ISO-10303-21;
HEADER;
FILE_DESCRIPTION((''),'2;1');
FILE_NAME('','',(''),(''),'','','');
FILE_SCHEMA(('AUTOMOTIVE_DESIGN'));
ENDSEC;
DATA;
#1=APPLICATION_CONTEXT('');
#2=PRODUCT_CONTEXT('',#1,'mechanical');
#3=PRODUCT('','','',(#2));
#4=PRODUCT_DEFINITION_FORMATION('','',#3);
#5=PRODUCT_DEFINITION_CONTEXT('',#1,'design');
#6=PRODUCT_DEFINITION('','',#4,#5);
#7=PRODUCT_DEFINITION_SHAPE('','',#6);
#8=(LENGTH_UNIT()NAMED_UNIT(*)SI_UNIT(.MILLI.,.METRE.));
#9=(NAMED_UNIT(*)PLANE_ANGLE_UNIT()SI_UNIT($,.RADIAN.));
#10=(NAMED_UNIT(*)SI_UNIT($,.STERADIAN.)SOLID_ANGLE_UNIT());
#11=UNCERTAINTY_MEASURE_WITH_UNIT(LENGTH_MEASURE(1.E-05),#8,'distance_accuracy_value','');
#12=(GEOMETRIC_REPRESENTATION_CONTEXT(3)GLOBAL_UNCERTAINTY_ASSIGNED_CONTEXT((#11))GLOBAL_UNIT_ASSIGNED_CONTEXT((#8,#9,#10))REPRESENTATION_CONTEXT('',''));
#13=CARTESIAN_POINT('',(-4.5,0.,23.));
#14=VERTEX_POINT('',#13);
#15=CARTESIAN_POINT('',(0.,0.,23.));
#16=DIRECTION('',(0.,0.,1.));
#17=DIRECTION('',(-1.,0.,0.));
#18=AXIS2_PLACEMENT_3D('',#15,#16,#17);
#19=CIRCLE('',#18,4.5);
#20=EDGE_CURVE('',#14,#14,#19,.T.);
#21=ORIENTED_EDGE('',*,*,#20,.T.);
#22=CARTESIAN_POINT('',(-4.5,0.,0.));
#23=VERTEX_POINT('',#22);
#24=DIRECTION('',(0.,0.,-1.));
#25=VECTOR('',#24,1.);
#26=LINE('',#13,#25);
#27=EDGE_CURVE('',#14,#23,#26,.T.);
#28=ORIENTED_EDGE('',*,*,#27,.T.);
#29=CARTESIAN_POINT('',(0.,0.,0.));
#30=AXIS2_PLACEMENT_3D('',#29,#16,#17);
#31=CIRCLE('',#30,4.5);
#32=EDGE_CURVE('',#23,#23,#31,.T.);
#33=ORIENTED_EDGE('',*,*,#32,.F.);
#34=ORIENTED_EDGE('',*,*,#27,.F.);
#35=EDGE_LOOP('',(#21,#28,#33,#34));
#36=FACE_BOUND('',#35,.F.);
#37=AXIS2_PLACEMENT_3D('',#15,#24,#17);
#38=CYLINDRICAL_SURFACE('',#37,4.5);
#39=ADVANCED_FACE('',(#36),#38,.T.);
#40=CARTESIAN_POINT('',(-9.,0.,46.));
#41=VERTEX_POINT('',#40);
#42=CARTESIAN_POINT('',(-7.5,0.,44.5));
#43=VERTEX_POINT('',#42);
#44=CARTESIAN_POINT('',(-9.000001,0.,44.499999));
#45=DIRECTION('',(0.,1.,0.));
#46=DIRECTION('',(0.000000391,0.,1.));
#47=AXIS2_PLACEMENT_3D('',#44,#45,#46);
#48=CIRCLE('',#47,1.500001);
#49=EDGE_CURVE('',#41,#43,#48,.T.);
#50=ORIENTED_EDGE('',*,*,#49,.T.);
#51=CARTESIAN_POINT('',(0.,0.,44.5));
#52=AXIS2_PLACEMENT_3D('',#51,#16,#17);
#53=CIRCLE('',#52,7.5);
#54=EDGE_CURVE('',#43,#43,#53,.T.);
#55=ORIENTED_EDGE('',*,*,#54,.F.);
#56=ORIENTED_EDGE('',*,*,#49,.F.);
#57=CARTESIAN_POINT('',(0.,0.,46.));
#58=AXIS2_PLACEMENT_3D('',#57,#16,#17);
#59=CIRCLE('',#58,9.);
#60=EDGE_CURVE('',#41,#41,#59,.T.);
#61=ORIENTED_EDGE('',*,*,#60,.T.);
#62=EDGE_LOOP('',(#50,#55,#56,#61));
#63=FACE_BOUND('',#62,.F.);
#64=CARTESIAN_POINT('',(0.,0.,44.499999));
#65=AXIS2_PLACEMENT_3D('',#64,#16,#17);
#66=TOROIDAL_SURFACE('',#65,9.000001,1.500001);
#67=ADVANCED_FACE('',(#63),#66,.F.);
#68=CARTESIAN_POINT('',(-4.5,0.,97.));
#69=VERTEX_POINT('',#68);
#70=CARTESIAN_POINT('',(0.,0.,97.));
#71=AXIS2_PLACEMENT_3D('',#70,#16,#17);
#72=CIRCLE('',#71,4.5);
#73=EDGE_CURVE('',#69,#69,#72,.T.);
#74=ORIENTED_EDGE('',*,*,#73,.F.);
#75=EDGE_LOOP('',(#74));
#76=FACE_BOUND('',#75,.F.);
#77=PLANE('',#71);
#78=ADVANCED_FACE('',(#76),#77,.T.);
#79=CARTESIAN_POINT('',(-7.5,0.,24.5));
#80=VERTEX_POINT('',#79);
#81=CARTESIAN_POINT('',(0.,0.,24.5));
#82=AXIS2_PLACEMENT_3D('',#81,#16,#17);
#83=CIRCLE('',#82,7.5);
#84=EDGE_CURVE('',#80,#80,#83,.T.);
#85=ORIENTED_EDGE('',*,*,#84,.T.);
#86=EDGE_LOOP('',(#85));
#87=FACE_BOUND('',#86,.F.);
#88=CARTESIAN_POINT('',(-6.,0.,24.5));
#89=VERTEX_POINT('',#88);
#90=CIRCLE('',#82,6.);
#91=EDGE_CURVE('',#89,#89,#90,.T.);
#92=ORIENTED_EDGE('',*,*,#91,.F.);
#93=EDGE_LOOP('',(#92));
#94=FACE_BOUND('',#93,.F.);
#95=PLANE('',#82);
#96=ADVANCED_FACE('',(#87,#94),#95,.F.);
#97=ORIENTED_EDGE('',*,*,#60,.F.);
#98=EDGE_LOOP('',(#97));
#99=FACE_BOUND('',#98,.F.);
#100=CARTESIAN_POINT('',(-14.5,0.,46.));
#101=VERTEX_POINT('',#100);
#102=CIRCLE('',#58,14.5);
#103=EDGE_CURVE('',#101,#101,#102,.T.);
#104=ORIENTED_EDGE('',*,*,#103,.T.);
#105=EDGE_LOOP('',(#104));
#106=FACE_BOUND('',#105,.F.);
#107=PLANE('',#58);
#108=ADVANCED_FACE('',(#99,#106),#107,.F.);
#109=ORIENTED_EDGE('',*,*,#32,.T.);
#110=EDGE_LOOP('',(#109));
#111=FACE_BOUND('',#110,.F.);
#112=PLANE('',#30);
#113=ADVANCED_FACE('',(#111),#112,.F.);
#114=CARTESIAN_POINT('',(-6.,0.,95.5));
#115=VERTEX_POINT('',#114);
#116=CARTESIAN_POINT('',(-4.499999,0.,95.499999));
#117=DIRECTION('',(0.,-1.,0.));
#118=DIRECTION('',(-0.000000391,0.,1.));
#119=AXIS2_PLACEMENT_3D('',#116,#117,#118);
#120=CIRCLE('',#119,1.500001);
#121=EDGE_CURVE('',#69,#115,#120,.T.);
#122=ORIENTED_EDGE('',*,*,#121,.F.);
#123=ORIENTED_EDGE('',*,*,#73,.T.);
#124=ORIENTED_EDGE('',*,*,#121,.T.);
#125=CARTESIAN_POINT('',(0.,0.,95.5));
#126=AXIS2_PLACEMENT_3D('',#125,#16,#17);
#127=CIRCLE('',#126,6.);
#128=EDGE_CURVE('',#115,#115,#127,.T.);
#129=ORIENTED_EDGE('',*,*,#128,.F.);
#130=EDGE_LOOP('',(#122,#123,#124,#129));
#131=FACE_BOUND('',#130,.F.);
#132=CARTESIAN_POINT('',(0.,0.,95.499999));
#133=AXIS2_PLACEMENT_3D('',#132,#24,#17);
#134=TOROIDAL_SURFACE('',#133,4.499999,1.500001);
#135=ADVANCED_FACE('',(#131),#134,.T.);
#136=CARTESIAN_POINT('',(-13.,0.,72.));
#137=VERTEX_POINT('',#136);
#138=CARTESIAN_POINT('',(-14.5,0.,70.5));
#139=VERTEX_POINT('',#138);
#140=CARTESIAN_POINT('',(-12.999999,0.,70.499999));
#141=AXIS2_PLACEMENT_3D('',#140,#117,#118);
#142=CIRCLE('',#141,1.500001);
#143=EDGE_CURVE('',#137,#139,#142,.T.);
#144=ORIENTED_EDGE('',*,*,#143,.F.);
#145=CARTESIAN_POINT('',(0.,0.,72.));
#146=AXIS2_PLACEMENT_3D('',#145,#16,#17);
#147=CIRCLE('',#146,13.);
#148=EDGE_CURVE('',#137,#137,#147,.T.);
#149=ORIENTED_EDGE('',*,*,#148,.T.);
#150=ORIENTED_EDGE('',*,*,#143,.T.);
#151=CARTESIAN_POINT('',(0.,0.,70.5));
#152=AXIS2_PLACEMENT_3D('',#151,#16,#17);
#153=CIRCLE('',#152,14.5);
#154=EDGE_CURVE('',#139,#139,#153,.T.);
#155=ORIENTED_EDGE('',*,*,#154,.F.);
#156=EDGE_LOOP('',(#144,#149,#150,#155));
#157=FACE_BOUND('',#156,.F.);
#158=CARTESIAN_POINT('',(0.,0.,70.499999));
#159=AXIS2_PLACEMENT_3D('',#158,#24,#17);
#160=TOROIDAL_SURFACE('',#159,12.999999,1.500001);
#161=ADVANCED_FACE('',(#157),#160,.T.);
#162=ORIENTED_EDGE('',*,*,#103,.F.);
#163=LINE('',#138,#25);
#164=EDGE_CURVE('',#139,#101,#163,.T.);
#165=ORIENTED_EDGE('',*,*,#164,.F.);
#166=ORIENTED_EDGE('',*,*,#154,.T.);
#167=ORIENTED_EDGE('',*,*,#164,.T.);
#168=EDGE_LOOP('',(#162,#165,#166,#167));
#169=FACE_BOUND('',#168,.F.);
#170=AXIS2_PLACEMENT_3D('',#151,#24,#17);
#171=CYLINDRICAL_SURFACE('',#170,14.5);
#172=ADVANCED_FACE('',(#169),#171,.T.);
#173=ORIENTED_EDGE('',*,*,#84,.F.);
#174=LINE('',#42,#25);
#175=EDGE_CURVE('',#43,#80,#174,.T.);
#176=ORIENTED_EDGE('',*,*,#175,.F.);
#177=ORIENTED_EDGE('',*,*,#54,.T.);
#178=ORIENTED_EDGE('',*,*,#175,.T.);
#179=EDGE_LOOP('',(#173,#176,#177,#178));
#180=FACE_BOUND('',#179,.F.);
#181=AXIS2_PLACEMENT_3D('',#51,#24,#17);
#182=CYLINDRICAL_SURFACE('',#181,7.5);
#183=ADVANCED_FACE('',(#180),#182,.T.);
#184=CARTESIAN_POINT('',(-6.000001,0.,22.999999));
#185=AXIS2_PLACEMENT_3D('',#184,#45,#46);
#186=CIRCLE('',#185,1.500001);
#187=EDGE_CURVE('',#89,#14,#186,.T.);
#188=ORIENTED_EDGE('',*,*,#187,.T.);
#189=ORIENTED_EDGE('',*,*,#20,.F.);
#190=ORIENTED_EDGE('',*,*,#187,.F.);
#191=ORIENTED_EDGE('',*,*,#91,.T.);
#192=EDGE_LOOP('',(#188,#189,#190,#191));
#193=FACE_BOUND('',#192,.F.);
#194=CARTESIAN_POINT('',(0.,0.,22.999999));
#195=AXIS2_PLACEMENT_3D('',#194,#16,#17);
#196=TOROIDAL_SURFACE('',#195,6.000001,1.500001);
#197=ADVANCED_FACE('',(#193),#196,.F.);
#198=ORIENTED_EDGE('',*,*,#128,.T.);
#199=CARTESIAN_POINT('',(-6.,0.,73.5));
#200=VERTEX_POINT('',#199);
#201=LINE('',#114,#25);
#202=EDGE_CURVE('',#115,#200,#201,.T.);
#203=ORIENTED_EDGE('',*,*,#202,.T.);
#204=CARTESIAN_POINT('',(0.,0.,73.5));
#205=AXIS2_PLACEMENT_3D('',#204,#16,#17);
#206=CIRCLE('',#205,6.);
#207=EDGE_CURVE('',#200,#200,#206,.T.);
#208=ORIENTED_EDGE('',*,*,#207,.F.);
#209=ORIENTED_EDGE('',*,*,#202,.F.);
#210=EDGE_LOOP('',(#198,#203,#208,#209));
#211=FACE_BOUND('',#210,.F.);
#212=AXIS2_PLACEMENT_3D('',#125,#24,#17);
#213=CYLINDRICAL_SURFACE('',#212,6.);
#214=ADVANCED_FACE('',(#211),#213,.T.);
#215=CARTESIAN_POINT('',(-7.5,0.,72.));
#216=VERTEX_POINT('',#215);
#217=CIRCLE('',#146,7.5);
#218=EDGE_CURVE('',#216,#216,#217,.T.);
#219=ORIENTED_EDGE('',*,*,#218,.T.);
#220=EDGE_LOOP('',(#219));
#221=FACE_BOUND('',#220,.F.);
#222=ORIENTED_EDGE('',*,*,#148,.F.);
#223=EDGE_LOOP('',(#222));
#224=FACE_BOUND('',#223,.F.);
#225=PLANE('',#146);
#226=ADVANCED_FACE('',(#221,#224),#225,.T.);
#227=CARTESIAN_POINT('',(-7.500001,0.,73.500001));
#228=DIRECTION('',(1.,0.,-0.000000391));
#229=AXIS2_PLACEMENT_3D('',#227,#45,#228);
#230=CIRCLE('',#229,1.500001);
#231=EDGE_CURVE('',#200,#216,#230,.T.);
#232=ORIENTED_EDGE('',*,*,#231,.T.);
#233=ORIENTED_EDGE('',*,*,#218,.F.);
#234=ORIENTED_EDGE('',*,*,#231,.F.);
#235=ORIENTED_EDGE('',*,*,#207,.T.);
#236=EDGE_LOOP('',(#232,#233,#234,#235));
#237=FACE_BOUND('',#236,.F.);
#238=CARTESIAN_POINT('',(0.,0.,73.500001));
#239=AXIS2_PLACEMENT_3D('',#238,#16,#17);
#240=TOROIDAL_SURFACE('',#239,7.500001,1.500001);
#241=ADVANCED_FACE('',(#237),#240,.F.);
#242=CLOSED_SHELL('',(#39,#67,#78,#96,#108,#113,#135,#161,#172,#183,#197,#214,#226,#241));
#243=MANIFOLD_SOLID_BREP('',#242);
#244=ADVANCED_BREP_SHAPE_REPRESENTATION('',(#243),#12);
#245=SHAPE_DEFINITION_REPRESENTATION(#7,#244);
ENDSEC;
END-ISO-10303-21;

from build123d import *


with BuildPart() as f1:
    # F0 (on Front) → F1 (revolve)
    with BuildSketch(Plane.XZ):
        with BuildLine():
            Line((-4.5, 0), (0, 0))
            Line((0, 0), (0, 97))
            Line((0, 97), (-4.5, 97))
            ThreePointArc((-4.5, 97), (-5.56066, 96.56066), (-6, 95.5))
            Line((-6, 95.5), (-6, 73.5))
            ThreePointArc((-6, 73.5), (-6.43934, 72.43934), (-7.5, 72))
            Line((-7.5, 72), (-13, 72))
            ThreePointArc((-13, 72), (-14.06066, 71.56066), (-14.5, 70.5))
            Line((-14.5, 70.5), (-14.5, 46))
            Line((-14.5, 46), (-9, 46))
            ThreePointArc((-9, 46), (-7.93934, 45.56066), (-7.5, 44.5))
            Line((-7.5, 44.5), (-7.5, 24.5))
            Line((-7.5, 24.5), (-6, 24.5))
            ThreePointArc((-6, 24.5), (-4.93934, 24.06066), (-4.5, 23))
            Line((-4.5, 23), (-4.5, 0))
        make_face()
    revolve(axis=Axis((0, 0, 50.829172), (0, 0, 1)))


solid = f1.part
